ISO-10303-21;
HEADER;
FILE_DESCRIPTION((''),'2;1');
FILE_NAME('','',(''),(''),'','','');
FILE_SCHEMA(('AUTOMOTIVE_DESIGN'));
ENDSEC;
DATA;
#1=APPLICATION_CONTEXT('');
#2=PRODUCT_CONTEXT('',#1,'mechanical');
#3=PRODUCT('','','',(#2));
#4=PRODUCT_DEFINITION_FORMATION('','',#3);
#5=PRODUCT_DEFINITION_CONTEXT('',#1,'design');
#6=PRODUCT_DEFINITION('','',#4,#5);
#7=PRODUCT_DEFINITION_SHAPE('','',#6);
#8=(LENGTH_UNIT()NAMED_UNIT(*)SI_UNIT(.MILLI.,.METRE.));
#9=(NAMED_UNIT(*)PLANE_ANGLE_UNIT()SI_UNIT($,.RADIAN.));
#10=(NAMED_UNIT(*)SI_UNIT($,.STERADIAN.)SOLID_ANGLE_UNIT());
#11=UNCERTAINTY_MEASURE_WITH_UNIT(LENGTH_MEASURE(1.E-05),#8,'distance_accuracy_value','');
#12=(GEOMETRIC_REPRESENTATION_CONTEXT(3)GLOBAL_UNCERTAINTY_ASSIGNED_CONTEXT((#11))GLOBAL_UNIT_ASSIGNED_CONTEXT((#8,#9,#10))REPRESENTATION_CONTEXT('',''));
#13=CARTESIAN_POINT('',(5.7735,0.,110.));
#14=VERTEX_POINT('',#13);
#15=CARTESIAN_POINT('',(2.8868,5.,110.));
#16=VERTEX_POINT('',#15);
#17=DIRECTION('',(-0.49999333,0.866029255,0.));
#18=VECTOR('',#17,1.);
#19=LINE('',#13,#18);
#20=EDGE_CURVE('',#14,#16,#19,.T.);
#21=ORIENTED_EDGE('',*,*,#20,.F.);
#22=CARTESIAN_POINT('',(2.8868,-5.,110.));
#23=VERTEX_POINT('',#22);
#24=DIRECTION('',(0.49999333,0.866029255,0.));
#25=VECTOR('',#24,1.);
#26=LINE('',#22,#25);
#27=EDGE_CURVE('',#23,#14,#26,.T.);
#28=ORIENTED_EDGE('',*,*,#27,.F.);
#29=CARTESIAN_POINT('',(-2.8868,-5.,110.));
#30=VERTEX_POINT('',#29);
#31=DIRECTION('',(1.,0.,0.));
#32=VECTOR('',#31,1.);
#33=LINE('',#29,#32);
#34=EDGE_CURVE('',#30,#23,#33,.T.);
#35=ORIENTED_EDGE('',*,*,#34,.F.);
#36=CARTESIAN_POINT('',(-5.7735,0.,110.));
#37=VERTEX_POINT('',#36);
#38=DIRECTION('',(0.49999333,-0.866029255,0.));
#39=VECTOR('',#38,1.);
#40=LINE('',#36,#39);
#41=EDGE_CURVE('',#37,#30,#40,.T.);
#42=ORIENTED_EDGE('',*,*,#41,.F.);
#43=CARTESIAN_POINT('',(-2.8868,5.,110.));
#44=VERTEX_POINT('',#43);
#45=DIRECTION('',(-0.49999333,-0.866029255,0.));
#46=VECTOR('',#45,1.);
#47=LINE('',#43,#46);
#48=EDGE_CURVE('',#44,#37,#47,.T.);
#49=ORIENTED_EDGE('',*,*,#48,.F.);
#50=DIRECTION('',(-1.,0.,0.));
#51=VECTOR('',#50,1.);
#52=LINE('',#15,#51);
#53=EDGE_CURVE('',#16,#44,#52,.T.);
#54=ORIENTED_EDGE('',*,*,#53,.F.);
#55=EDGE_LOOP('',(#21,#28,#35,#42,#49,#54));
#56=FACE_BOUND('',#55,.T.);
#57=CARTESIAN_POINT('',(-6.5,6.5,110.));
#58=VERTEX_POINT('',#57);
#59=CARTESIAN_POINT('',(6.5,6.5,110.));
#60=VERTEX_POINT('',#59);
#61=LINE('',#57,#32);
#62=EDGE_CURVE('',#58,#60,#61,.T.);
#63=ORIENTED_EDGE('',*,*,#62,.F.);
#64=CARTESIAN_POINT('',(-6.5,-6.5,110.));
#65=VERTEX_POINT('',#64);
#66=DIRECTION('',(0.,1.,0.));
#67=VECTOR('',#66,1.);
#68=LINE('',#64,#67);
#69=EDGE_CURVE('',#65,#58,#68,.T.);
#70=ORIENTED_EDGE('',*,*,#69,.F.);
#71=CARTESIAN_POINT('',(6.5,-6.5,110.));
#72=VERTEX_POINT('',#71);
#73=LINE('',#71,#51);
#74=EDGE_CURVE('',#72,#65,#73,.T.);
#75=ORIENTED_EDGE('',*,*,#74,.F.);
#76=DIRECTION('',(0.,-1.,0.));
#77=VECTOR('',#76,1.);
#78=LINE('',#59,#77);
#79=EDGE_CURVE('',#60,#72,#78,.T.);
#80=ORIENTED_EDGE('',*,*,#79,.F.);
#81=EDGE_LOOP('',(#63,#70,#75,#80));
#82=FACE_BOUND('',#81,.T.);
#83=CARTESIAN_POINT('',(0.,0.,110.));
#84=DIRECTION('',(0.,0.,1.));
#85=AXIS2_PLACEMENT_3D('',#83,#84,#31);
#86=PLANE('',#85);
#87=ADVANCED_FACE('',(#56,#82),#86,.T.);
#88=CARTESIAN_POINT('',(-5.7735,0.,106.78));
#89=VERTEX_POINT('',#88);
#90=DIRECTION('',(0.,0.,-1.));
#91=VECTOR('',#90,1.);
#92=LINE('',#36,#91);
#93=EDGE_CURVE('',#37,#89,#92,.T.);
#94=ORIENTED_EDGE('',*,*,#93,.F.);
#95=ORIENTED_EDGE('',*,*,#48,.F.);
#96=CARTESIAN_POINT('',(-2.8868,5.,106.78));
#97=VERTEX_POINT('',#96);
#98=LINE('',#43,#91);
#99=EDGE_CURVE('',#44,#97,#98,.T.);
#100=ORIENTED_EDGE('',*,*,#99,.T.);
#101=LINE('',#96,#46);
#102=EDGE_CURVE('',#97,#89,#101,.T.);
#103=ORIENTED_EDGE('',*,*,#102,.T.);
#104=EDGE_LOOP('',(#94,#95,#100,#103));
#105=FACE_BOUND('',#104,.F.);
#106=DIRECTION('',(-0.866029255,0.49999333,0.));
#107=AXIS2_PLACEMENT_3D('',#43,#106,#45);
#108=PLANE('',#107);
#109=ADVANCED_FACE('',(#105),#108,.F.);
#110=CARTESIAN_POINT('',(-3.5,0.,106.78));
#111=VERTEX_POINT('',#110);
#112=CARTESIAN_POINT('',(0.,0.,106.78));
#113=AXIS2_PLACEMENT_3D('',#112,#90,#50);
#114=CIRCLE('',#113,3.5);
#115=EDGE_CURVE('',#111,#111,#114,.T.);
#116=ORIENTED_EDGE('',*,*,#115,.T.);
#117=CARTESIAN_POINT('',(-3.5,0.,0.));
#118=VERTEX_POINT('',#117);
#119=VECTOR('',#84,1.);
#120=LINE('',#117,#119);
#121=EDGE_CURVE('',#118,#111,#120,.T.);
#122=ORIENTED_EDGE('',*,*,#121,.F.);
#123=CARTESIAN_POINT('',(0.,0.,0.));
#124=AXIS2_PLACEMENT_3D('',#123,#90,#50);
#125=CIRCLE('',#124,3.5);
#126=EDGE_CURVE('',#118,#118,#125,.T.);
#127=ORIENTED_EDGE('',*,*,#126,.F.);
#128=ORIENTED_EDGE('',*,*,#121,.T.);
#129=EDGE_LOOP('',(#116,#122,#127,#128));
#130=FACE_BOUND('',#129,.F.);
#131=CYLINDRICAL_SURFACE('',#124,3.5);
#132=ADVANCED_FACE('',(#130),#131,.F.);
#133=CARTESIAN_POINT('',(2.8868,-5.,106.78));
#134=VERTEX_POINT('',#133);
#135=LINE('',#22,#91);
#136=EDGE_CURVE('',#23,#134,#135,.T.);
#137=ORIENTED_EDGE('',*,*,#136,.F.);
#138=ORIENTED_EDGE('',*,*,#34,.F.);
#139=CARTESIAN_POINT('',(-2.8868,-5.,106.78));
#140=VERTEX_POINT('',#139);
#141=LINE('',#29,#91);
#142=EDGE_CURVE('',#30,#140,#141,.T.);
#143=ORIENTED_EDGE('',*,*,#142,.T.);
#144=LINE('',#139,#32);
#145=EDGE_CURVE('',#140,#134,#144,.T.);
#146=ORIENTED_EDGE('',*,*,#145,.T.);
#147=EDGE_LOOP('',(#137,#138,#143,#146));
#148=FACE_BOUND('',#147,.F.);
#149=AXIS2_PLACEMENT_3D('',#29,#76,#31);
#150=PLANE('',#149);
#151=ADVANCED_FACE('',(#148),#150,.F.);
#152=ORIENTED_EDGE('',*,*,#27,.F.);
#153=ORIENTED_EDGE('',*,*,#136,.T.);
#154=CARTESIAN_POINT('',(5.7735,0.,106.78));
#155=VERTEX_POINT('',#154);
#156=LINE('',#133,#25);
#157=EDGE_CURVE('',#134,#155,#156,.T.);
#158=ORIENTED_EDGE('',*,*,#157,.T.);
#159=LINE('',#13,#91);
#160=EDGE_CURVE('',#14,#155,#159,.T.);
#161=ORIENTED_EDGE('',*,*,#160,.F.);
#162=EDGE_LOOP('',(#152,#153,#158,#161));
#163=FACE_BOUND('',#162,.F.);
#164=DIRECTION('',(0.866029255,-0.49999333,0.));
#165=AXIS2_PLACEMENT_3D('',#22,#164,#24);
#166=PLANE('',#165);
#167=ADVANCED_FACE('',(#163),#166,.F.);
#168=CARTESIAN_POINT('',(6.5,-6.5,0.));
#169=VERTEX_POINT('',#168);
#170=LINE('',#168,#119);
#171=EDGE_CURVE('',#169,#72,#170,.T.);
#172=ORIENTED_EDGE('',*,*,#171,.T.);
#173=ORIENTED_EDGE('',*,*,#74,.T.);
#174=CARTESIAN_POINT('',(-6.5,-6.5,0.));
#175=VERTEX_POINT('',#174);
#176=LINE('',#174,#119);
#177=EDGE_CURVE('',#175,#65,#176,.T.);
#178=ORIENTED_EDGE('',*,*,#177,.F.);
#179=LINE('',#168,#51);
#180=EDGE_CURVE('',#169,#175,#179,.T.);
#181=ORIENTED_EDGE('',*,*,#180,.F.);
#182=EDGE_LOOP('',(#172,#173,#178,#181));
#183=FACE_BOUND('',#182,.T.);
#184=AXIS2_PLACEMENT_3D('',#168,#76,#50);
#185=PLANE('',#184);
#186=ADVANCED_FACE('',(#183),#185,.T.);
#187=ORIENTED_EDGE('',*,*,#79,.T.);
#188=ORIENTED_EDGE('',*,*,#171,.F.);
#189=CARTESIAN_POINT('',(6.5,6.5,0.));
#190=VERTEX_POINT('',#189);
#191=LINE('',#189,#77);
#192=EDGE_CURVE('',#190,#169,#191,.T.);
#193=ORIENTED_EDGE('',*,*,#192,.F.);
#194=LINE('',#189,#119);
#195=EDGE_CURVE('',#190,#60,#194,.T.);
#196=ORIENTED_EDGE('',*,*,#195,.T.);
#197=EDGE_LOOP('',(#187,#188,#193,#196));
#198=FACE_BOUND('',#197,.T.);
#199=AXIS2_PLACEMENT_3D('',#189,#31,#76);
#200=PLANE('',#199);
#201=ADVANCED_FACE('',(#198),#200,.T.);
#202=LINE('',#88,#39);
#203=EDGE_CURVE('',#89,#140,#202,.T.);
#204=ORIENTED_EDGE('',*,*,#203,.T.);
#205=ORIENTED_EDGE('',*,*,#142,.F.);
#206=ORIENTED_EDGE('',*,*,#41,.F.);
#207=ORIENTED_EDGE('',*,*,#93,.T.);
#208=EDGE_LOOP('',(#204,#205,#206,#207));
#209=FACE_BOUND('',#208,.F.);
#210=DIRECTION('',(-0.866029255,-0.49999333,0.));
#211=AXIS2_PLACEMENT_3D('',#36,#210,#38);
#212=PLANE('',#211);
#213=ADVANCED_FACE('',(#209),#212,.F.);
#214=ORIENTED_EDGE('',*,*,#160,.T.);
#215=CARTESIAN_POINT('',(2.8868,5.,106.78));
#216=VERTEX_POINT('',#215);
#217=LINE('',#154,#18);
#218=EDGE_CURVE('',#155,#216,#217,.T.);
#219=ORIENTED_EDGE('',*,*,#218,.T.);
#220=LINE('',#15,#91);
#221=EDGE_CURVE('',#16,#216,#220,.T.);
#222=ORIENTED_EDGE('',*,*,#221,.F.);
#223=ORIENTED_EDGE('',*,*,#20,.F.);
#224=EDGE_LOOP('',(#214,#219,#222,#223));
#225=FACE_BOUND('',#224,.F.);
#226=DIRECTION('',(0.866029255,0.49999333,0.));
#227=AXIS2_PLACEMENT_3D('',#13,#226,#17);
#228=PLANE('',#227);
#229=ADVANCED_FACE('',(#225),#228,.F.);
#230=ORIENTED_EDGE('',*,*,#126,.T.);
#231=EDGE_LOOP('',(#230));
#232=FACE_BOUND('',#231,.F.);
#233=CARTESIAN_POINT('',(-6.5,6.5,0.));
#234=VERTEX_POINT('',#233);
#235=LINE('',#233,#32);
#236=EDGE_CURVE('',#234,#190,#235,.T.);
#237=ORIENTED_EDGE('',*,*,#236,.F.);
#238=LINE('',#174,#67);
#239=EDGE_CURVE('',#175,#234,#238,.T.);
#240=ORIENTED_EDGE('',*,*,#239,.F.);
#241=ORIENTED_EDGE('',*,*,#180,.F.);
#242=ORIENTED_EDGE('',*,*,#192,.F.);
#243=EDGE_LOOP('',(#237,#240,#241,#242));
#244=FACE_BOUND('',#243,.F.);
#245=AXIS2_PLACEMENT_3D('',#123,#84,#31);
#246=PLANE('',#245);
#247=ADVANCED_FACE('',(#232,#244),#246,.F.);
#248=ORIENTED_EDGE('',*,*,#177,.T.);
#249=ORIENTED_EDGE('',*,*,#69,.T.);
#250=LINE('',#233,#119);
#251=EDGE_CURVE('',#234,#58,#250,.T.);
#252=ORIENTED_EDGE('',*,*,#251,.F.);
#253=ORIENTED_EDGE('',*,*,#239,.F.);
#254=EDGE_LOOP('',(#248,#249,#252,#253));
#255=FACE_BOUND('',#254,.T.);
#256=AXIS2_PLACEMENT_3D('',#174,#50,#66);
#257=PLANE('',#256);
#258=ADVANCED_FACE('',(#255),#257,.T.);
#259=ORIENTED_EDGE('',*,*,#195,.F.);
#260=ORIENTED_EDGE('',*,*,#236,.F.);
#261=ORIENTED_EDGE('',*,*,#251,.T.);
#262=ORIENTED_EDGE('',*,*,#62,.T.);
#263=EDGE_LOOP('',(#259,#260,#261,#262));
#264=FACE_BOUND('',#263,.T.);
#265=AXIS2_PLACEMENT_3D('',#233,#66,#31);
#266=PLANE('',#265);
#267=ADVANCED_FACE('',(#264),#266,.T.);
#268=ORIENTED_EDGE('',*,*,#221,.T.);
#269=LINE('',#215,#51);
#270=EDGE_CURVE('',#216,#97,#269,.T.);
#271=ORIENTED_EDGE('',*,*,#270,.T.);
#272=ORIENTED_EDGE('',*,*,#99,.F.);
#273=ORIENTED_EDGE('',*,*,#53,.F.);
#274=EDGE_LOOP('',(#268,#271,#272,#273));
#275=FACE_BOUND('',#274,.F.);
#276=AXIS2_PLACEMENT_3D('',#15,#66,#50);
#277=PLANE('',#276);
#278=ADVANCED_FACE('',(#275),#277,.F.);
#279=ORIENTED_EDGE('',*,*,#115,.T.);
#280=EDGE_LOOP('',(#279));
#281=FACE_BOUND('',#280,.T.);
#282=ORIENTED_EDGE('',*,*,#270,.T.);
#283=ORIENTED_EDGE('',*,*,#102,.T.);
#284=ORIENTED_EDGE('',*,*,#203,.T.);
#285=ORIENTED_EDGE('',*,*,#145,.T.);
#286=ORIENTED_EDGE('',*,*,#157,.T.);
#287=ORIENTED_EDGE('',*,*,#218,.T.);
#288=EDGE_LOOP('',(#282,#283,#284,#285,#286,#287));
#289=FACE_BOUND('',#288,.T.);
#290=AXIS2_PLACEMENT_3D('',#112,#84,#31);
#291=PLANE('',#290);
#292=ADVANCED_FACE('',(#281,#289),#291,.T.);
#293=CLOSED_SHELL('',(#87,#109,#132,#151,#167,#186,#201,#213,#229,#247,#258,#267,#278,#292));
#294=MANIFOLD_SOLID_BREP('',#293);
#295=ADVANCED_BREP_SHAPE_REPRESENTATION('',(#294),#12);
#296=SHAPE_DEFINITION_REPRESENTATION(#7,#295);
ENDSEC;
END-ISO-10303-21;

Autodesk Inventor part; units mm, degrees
ref_plane "YZ Plane" through (0, 0, 0) normal (1, 0, 0) x (0, 1, 0)
ref_plane "XZ Plane" through (0, 0, 0) normal (0, 1, 0) x (-1, 0, 0)
ref_plane "XY Plane" through (0, 0, 0) normal (0, 0, 1) x (1, 0, 0)
sketch "Sketch1" plane through (0, 0, 0) normal (0, 0, 1) x (1, 0, 0)
  line L0 (5, -5) -> (5, 5) projected
  line L1 (-5, -5) -> (5, -5) projected
  line L2 (-5, 5) -> (-5, -5) projected
  line L3 (5, 5) -> (-5, 5) projected
  circle A0 centre (0, 0) radius 3
  line L4 (2.8868, -5) -> (5.7735, 0) projected
  line L5 (2.8868, -5) -> (5.7735, 0) projected
  line L6 (-2.8868, -5) -> (2.8868, -5) projected
  line L7 (-5.7735, 0) -> (-2.8868, -5) projected
  line L8 (-2.8868, 5) -> (-5.7735, 0) projected
  line L9 (2.8868, 5) -> (-2.8868, 5) projected
  line L10 (5.7735, 0) -> (2.8868, 5) projected
  circle A1 centre (0, 0) radius 2.9998 projected
  line L11 (6.5, -6.5) -> (-6.5, -6.5)
  line L12 (-6.5, -6.5) -> (-6.5, 6.5)
  line L13 (-6.5, 6.5) -> (6.5, 6.5)
  line L14 (6.5, 6.5) -> (6.5, -6.5)
  line L15 (6.5, -6.5) -> (-6.5, 6.5) construction
  line L16 (-6.5, -6.5) -> (6.5, 6.5) construction
  dimension "d0" = 6
  dimension "d7" = 13
  dimension "d8" = 13
extrude "Extrusion1" add sketch "Sketch1" along normal blind 110 contours L1 L4 L0 | L4 L1 L7 L2 L8 L3 L10 L0 | L0 L10 L4 | L10 L3 L0 | L1 L2 L7 | L7 L8 L2 | L8 L2 L3 | A0 | L11 L12 L13 L14
sketch "Sketch2" plane through (0, 0, 110) normal (0, 0, 1) x (1, 0, 0)
  point P0 (0, 0)
sketch "Sketch3" plane through (0, 0, 110) normal (0, 0, 1) x (1, 0, 0)
  circle A0 centre (0, 0) radius 4
  circle A1 centre (0, 0) radius 3
  line L0 (2.8868, -5) -> (5.7735, 0)
  line L1 (5.7735, 0) -> (2.8868, 5)
  line L2 (2.8868, 5) -> (-2.8868, 5)
  line L3 (-2.8868, 5) -> (-5.7735, 0)
  line L4 (-5.7735, 0) -> (-2.8868, -5)
  line L5 (-2.8868, -5) -> (2.8868, -5)
extrude "Extrusion2" cut sketch "Sketch3" against normal blind 3.22 contours A0 | A1 | L5 L4 L3 L2 L1 L0
sketch "Sketch4" plane through (0, 0, 0) normal (0, 0, -1) x (-1, 0, 0)
  circle A0 centre (0, 0) radius 3.5
  dimension "d9" = 7
extrude "Extrusion3" cut sketch "Sketch4" against normal through all
properties part number "plunger"
